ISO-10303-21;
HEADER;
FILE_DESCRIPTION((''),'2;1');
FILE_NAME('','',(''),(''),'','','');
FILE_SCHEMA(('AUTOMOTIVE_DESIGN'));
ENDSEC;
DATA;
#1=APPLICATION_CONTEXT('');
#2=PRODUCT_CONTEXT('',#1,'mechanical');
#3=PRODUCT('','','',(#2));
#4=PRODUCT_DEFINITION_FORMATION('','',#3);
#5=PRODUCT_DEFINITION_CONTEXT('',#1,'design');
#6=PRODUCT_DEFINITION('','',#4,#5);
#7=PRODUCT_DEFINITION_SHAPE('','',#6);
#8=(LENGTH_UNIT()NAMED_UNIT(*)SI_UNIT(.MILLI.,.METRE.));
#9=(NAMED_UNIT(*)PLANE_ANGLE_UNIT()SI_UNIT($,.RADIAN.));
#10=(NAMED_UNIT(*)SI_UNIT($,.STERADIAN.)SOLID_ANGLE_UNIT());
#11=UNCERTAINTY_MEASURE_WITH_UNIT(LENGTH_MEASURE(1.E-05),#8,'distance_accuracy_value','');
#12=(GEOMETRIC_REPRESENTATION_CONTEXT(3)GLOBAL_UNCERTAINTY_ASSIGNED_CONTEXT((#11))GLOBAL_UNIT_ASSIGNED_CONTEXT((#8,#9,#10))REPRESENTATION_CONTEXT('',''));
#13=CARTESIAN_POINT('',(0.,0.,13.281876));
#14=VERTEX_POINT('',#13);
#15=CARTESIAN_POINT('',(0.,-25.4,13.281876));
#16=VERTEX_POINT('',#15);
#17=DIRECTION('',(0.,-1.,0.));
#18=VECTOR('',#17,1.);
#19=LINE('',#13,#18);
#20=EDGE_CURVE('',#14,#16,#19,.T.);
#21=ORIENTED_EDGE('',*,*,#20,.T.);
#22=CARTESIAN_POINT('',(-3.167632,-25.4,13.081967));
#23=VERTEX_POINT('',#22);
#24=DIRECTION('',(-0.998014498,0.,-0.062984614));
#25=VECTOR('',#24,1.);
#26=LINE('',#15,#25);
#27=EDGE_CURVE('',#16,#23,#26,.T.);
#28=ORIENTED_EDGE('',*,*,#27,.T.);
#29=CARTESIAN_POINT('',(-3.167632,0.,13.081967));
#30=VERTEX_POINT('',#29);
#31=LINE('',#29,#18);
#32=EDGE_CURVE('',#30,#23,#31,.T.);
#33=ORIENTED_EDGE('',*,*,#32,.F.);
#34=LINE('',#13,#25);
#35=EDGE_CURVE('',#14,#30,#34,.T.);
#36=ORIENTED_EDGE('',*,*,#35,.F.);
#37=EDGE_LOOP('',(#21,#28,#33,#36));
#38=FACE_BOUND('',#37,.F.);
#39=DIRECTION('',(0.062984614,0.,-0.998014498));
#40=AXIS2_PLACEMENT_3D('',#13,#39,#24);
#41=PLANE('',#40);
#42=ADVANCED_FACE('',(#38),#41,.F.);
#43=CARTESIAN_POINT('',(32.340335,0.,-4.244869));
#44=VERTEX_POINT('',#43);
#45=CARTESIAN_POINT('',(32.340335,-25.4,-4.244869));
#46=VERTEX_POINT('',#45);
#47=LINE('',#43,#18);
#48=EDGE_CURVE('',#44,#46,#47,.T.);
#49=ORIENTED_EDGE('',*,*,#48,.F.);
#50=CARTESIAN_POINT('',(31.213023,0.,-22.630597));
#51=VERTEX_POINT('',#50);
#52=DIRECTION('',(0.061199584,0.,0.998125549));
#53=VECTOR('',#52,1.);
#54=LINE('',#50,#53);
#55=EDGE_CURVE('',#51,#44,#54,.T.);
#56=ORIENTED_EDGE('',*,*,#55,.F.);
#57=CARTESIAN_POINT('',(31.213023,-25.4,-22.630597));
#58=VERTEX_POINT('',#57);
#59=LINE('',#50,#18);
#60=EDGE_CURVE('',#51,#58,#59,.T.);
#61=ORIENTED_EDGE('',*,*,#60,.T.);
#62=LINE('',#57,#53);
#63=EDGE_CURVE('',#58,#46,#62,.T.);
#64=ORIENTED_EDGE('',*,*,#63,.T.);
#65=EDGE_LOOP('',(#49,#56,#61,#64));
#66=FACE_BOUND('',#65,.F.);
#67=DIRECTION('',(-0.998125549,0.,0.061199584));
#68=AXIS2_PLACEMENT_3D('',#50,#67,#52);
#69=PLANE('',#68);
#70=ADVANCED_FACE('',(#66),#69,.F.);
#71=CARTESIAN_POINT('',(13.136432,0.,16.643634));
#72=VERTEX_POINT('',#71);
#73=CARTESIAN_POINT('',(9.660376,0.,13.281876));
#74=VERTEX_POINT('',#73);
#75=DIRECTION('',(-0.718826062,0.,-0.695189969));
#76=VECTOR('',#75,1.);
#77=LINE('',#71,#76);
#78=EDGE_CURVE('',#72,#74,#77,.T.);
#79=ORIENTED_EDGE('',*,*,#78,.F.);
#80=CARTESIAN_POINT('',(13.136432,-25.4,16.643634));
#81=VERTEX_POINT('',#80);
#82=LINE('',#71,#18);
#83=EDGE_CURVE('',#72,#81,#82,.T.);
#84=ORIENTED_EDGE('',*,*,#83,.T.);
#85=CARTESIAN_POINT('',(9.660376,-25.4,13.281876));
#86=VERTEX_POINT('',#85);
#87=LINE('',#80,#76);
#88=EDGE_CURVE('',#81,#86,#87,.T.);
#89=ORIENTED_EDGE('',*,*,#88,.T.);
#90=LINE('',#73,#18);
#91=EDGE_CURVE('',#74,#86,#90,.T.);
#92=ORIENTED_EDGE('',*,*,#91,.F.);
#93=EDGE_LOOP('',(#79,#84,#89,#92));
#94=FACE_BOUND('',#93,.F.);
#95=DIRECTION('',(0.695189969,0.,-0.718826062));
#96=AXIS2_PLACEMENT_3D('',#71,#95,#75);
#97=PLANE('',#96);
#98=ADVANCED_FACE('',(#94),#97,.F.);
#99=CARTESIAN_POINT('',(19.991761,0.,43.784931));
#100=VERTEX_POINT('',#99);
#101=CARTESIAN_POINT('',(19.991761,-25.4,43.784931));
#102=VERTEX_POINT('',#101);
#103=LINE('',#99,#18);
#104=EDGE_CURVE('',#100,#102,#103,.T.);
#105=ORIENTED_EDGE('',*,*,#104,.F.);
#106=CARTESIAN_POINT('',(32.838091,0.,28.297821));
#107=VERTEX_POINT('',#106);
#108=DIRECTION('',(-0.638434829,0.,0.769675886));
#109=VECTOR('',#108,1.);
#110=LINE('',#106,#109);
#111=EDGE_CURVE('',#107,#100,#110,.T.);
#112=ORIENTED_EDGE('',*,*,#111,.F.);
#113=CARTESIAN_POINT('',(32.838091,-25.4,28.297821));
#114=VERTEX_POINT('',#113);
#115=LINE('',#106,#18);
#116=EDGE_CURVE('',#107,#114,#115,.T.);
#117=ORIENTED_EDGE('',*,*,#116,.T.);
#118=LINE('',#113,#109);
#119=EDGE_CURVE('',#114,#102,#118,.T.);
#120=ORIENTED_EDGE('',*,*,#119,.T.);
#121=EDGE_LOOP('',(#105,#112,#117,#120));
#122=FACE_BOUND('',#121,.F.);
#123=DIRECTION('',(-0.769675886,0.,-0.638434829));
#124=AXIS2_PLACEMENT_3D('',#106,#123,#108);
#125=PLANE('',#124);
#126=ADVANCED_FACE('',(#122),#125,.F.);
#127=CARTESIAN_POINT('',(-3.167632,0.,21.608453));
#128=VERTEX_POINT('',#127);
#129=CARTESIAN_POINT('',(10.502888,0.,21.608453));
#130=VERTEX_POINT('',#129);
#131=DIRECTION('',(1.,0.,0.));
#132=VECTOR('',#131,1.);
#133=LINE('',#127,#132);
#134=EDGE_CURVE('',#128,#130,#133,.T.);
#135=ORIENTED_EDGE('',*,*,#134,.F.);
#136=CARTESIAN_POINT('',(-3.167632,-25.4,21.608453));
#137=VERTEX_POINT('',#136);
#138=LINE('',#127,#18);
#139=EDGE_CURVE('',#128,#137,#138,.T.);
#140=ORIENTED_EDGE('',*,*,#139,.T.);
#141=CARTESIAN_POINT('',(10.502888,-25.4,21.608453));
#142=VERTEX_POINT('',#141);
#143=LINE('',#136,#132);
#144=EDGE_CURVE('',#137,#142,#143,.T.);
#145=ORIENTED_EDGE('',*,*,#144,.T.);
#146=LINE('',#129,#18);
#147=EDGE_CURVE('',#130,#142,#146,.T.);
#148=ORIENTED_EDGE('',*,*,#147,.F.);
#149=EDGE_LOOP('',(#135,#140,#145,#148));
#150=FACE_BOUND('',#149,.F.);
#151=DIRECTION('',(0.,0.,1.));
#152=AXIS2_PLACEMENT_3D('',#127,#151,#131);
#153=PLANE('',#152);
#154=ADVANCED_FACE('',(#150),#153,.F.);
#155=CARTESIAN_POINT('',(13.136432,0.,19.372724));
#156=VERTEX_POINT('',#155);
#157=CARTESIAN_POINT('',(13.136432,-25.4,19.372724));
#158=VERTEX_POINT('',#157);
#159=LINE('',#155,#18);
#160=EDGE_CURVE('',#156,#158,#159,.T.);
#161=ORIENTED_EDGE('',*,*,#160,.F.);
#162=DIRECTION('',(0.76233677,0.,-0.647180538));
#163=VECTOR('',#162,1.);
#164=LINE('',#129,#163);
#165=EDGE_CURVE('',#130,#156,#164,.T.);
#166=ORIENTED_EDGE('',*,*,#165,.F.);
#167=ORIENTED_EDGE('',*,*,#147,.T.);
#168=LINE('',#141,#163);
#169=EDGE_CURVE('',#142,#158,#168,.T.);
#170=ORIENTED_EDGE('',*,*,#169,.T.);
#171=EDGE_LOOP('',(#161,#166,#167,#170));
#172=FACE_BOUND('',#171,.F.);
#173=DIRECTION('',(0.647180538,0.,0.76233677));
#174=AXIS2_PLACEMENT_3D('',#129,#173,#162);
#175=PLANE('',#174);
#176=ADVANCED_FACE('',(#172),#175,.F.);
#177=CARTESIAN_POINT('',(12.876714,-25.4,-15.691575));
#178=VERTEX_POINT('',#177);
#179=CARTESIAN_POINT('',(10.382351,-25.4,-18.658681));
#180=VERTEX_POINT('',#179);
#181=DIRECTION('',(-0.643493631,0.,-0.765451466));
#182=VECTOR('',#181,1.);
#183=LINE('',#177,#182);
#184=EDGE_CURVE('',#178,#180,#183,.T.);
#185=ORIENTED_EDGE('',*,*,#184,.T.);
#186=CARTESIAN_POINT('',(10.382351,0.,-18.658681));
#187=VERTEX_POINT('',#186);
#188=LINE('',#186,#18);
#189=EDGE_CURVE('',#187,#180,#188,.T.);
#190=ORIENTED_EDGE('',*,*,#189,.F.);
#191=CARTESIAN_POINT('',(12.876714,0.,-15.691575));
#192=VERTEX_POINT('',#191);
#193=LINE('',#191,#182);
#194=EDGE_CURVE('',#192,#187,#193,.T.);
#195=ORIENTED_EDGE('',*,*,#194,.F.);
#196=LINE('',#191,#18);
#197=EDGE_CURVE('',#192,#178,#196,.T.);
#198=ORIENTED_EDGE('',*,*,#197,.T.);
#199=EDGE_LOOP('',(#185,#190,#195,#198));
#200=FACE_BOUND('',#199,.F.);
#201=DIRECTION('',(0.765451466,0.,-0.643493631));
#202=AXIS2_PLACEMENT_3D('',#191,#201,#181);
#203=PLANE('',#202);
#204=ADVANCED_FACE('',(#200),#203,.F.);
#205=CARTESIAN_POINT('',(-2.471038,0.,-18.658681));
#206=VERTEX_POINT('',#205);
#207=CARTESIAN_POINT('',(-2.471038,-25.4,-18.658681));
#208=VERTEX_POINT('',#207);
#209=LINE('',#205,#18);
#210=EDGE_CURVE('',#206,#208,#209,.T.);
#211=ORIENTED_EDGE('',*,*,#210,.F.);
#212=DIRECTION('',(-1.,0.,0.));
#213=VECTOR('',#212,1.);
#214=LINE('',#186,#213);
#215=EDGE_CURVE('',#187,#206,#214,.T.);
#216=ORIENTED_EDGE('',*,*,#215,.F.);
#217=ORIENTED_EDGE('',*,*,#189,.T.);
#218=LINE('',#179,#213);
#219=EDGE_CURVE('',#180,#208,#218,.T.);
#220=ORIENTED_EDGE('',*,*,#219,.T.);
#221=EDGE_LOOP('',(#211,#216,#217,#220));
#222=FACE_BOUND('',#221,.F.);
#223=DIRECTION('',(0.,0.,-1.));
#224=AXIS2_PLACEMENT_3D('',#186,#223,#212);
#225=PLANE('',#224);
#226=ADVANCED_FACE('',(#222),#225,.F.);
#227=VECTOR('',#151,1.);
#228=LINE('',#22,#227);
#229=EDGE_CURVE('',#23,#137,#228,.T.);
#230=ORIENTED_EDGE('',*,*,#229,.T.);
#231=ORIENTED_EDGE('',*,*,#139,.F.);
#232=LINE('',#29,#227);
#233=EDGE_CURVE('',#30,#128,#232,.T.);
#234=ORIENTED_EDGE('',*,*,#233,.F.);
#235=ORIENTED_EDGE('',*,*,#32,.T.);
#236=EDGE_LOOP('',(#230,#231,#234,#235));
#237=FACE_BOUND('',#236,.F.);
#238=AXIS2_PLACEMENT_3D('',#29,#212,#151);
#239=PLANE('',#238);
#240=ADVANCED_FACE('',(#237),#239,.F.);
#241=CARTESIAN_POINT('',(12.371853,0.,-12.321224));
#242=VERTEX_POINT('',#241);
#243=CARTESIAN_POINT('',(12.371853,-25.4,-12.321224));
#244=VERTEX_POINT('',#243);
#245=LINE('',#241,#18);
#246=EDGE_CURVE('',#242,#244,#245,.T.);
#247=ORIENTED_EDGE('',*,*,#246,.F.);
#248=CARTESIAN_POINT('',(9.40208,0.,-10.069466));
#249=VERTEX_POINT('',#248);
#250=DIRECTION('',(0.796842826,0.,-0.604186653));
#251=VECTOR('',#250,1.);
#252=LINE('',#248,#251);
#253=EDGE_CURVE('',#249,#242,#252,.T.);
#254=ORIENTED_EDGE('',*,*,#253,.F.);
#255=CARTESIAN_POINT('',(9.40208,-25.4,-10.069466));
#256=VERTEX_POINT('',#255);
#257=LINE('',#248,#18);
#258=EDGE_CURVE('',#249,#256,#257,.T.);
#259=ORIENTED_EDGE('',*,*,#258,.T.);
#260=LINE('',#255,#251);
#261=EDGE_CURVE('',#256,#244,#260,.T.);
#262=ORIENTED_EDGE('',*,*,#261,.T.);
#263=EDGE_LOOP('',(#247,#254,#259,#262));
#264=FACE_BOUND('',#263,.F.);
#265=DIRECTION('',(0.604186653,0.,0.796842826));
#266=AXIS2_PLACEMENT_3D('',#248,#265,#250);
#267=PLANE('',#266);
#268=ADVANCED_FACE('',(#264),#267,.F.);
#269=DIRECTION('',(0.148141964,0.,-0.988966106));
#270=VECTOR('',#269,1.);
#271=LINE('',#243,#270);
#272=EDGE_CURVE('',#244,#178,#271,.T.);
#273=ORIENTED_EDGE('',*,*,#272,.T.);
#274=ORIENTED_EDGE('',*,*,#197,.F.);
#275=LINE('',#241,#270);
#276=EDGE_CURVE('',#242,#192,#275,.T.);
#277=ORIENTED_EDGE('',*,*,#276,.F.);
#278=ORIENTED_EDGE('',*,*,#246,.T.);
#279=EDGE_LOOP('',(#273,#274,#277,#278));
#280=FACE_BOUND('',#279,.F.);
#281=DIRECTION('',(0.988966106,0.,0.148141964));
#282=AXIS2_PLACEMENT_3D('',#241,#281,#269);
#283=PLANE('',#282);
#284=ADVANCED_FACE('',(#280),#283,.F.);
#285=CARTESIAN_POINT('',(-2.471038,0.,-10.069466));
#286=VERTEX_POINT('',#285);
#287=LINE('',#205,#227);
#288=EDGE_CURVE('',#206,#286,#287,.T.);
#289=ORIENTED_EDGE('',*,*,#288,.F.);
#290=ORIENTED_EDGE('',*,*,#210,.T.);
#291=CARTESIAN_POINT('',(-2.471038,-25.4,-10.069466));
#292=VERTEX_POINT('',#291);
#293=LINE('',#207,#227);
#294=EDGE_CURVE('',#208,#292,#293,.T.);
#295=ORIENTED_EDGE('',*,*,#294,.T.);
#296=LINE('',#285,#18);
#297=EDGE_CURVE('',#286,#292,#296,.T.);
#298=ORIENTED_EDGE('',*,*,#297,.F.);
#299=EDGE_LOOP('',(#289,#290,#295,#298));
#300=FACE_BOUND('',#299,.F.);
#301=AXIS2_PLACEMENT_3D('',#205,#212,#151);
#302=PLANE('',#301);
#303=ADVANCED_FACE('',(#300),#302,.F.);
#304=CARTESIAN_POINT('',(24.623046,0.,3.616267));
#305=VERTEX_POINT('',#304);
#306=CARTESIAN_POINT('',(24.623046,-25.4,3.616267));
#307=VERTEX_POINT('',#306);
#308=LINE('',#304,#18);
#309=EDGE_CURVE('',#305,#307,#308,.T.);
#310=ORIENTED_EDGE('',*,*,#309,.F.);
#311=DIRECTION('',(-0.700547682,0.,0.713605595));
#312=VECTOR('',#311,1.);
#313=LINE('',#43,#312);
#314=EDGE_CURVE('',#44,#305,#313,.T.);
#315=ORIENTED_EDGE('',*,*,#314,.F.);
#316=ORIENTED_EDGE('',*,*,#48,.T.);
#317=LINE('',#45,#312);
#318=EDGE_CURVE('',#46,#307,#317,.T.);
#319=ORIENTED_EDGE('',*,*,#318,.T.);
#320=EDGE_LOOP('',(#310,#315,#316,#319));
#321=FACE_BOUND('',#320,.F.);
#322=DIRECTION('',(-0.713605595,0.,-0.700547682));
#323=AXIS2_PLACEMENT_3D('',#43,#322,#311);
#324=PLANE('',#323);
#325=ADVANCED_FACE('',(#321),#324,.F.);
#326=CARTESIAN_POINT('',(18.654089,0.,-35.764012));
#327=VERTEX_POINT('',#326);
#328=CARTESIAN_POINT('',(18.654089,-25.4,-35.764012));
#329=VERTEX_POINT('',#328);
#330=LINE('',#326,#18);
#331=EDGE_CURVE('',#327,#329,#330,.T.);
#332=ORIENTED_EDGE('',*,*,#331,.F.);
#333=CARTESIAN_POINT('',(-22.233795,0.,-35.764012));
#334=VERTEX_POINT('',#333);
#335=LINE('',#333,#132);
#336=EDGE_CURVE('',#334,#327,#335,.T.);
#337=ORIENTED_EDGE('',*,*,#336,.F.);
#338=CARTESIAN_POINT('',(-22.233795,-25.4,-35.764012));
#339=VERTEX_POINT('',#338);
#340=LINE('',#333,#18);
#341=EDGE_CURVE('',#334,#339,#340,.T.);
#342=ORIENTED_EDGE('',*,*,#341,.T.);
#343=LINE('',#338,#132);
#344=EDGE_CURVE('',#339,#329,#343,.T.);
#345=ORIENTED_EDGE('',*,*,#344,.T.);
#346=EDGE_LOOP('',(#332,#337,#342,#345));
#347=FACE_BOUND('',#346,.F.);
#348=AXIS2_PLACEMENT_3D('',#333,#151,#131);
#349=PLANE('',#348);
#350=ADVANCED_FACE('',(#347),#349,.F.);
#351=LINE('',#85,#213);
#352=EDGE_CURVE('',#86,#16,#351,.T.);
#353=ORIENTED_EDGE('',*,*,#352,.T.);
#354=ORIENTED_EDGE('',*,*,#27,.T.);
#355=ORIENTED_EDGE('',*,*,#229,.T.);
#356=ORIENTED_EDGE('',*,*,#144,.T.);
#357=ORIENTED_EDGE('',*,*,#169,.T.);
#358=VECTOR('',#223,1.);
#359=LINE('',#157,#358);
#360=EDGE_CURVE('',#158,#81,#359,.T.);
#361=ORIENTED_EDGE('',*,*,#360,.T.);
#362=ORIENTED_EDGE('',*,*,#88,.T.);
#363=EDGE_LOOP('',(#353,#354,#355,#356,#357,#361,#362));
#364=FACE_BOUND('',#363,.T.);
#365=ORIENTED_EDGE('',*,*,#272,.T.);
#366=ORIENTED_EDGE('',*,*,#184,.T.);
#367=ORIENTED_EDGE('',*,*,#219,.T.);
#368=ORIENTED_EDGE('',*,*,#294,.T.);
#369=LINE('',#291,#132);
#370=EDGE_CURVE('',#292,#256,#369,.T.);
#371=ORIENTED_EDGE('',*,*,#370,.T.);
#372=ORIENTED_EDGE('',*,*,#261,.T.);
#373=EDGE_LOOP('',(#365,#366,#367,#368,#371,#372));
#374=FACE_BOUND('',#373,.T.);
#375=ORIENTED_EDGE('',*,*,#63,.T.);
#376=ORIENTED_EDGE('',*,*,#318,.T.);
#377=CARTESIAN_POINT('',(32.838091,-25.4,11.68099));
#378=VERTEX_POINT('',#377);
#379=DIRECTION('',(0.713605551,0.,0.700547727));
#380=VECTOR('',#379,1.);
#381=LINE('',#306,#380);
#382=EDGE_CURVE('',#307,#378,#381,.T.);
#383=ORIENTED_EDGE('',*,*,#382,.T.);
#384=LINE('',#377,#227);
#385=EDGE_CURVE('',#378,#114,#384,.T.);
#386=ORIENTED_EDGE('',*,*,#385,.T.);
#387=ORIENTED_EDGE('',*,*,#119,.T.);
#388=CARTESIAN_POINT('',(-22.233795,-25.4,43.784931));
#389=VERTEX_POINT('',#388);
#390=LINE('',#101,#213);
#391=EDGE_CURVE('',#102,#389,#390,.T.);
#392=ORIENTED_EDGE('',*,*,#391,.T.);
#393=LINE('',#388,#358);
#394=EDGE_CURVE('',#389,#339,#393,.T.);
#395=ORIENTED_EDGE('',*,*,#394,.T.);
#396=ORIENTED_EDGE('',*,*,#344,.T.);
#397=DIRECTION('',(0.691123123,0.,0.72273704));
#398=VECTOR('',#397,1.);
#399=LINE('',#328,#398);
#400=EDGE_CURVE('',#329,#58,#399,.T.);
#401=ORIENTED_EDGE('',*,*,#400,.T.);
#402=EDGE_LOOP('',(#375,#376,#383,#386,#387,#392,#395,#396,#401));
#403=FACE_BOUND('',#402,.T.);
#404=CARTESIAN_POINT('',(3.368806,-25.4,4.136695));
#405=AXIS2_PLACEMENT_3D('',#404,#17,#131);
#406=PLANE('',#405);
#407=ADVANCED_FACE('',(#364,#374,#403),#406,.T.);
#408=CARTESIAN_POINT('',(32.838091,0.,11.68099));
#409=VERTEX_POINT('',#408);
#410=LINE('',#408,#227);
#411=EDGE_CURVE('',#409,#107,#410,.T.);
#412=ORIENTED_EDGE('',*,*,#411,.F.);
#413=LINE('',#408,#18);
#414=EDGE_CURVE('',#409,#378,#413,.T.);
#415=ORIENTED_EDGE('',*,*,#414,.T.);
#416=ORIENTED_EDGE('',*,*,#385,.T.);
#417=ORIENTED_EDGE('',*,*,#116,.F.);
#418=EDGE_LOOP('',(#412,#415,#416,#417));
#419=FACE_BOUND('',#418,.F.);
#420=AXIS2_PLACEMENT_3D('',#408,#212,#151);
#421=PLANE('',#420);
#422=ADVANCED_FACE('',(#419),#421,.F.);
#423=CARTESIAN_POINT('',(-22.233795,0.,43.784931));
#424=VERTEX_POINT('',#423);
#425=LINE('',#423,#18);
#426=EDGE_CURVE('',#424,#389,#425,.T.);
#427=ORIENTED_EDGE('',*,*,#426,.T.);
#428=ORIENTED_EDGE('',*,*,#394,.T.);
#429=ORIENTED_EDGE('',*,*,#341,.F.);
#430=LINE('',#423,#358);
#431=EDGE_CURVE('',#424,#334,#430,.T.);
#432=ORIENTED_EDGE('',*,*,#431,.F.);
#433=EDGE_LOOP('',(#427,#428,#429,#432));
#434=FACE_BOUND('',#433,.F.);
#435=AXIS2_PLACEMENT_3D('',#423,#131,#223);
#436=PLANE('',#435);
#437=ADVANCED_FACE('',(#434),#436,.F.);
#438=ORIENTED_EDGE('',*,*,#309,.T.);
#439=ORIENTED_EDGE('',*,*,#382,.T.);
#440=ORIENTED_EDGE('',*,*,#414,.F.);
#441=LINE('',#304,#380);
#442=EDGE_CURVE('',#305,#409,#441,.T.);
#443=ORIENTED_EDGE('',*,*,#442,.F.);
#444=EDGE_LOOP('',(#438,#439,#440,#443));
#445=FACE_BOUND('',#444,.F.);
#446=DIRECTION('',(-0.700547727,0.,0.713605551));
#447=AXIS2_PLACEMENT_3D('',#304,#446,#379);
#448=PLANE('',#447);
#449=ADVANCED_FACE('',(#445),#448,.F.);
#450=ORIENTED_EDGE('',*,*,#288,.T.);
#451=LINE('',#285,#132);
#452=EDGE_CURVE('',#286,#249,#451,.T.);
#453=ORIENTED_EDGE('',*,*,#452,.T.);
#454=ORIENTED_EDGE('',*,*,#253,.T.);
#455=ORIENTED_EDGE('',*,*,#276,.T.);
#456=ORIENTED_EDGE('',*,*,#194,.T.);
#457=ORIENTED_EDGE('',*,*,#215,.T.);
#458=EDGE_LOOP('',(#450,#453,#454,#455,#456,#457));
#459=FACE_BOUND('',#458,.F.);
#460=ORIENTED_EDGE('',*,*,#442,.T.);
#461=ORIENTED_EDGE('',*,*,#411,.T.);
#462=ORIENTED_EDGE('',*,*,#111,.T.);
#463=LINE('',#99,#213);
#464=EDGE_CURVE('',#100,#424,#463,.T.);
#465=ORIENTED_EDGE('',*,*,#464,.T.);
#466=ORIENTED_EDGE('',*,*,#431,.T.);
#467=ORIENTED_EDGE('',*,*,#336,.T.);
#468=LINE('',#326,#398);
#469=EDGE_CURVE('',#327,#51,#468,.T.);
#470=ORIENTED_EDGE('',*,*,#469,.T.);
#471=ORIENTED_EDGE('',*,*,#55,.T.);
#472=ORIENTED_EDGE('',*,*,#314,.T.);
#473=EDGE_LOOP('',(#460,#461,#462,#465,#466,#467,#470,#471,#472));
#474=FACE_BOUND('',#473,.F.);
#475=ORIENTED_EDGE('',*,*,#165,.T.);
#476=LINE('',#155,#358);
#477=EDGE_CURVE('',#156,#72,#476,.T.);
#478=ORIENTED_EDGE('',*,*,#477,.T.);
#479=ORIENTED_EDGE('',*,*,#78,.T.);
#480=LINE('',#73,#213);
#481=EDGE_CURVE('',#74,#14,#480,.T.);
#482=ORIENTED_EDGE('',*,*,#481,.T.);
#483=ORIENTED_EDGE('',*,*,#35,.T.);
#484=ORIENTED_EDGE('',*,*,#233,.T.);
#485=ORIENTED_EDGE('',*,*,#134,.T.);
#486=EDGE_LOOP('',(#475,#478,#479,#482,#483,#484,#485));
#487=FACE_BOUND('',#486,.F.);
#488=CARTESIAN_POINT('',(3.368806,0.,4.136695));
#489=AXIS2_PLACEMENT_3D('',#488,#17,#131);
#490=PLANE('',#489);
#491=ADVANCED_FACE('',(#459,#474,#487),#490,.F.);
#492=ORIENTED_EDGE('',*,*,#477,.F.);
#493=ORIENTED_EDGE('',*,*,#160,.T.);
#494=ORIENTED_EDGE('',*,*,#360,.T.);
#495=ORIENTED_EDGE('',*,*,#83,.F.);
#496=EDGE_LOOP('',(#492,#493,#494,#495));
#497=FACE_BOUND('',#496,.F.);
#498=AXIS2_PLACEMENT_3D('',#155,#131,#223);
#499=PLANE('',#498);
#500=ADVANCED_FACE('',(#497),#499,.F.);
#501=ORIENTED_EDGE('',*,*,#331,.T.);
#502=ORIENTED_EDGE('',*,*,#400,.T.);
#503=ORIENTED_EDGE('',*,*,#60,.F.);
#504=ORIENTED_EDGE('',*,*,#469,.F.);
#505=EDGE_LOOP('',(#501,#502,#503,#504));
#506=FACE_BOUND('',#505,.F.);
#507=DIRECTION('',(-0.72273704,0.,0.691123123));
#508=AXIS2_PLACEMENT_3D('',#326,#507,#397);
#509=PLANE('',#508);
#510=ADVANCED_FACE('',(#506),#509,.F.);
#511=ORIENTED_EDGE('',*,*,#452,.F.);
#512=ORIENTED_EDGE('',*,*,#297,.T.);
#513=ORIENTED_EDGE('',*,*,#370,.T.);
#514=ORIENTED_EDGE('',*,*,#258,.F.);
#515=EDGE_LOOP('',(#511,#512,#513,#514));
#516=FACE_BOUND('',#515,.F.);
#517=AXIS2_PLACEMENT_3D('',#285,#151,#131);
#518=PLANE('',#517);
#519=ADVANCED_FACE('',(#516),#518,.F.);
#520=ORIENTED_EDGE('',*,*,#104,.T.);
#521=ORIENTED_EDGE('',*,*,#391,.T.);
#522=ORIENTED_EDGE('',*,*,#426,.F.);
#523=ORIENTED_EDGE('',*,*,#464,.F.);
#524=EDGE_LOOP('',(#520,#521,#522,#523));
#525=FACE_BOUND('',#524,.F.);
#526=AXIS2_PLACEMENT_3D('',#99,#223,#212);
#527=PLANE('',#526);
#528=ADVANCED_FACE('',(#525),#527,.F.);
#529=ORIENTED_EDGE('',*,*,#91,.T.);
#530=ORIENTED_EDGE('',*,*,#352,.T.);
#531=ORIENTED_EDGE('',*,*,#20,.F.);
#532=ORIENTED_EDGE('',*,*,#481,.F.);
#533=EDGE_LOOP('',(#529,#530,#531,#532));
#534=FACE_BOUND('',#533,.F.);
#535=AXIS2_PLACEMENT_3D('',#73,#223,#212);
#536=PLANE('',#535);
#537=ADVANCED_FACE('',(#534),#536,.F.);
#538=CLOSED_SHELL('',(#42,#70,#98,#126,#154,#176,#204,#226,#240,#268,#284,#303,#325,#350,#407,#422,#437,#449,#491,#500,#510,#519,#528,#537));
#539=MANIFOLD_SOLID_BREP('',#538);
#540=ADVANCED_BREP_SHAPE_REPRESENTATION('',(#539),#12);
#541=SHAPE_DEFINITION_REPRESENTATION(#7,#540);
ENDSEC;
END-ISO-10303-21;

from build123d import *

# Parameters (mm, degrees)
F1_DEPTH = 25.4


with BuildPart() as f1:
    # F0 (on Front) → F1 (new body)
    with BuildSketch(Plane.XZ):
        Polygon((18.654089, -35.764012), (31.213023, -22.630597), (32.340335, -4.244869), (24.623046, 3.616267), (32.838091, 11.68099), (32.838091, 28.297821), (19.991761, 43.784931), (-22.233795, 43.784931), (-22.233795, -35.764012), align=None)
        Polygon((12.371853, -12.321224), (12.876714, -15.691575), (10.382351, -18.658681), (0.69035, -18.658681), (-2.471038, -18.658681), (-2.471038, -10.069466), (9.40208, -10.069466), align=None, mode=Mode.SUBTRACT)
        Polygon((9.660376, 13.281876), (0, 13.281876), (-3.167632, 13.081967), (-3.167632, 21.608453), (10.502888, 21.608453), (13.136432, 19.372724), (13.136432, 16.643634), align=None, mode=Mode.SUBTRACT)
    extrude(amount=F1_DEPTH)


solid = f1.part
